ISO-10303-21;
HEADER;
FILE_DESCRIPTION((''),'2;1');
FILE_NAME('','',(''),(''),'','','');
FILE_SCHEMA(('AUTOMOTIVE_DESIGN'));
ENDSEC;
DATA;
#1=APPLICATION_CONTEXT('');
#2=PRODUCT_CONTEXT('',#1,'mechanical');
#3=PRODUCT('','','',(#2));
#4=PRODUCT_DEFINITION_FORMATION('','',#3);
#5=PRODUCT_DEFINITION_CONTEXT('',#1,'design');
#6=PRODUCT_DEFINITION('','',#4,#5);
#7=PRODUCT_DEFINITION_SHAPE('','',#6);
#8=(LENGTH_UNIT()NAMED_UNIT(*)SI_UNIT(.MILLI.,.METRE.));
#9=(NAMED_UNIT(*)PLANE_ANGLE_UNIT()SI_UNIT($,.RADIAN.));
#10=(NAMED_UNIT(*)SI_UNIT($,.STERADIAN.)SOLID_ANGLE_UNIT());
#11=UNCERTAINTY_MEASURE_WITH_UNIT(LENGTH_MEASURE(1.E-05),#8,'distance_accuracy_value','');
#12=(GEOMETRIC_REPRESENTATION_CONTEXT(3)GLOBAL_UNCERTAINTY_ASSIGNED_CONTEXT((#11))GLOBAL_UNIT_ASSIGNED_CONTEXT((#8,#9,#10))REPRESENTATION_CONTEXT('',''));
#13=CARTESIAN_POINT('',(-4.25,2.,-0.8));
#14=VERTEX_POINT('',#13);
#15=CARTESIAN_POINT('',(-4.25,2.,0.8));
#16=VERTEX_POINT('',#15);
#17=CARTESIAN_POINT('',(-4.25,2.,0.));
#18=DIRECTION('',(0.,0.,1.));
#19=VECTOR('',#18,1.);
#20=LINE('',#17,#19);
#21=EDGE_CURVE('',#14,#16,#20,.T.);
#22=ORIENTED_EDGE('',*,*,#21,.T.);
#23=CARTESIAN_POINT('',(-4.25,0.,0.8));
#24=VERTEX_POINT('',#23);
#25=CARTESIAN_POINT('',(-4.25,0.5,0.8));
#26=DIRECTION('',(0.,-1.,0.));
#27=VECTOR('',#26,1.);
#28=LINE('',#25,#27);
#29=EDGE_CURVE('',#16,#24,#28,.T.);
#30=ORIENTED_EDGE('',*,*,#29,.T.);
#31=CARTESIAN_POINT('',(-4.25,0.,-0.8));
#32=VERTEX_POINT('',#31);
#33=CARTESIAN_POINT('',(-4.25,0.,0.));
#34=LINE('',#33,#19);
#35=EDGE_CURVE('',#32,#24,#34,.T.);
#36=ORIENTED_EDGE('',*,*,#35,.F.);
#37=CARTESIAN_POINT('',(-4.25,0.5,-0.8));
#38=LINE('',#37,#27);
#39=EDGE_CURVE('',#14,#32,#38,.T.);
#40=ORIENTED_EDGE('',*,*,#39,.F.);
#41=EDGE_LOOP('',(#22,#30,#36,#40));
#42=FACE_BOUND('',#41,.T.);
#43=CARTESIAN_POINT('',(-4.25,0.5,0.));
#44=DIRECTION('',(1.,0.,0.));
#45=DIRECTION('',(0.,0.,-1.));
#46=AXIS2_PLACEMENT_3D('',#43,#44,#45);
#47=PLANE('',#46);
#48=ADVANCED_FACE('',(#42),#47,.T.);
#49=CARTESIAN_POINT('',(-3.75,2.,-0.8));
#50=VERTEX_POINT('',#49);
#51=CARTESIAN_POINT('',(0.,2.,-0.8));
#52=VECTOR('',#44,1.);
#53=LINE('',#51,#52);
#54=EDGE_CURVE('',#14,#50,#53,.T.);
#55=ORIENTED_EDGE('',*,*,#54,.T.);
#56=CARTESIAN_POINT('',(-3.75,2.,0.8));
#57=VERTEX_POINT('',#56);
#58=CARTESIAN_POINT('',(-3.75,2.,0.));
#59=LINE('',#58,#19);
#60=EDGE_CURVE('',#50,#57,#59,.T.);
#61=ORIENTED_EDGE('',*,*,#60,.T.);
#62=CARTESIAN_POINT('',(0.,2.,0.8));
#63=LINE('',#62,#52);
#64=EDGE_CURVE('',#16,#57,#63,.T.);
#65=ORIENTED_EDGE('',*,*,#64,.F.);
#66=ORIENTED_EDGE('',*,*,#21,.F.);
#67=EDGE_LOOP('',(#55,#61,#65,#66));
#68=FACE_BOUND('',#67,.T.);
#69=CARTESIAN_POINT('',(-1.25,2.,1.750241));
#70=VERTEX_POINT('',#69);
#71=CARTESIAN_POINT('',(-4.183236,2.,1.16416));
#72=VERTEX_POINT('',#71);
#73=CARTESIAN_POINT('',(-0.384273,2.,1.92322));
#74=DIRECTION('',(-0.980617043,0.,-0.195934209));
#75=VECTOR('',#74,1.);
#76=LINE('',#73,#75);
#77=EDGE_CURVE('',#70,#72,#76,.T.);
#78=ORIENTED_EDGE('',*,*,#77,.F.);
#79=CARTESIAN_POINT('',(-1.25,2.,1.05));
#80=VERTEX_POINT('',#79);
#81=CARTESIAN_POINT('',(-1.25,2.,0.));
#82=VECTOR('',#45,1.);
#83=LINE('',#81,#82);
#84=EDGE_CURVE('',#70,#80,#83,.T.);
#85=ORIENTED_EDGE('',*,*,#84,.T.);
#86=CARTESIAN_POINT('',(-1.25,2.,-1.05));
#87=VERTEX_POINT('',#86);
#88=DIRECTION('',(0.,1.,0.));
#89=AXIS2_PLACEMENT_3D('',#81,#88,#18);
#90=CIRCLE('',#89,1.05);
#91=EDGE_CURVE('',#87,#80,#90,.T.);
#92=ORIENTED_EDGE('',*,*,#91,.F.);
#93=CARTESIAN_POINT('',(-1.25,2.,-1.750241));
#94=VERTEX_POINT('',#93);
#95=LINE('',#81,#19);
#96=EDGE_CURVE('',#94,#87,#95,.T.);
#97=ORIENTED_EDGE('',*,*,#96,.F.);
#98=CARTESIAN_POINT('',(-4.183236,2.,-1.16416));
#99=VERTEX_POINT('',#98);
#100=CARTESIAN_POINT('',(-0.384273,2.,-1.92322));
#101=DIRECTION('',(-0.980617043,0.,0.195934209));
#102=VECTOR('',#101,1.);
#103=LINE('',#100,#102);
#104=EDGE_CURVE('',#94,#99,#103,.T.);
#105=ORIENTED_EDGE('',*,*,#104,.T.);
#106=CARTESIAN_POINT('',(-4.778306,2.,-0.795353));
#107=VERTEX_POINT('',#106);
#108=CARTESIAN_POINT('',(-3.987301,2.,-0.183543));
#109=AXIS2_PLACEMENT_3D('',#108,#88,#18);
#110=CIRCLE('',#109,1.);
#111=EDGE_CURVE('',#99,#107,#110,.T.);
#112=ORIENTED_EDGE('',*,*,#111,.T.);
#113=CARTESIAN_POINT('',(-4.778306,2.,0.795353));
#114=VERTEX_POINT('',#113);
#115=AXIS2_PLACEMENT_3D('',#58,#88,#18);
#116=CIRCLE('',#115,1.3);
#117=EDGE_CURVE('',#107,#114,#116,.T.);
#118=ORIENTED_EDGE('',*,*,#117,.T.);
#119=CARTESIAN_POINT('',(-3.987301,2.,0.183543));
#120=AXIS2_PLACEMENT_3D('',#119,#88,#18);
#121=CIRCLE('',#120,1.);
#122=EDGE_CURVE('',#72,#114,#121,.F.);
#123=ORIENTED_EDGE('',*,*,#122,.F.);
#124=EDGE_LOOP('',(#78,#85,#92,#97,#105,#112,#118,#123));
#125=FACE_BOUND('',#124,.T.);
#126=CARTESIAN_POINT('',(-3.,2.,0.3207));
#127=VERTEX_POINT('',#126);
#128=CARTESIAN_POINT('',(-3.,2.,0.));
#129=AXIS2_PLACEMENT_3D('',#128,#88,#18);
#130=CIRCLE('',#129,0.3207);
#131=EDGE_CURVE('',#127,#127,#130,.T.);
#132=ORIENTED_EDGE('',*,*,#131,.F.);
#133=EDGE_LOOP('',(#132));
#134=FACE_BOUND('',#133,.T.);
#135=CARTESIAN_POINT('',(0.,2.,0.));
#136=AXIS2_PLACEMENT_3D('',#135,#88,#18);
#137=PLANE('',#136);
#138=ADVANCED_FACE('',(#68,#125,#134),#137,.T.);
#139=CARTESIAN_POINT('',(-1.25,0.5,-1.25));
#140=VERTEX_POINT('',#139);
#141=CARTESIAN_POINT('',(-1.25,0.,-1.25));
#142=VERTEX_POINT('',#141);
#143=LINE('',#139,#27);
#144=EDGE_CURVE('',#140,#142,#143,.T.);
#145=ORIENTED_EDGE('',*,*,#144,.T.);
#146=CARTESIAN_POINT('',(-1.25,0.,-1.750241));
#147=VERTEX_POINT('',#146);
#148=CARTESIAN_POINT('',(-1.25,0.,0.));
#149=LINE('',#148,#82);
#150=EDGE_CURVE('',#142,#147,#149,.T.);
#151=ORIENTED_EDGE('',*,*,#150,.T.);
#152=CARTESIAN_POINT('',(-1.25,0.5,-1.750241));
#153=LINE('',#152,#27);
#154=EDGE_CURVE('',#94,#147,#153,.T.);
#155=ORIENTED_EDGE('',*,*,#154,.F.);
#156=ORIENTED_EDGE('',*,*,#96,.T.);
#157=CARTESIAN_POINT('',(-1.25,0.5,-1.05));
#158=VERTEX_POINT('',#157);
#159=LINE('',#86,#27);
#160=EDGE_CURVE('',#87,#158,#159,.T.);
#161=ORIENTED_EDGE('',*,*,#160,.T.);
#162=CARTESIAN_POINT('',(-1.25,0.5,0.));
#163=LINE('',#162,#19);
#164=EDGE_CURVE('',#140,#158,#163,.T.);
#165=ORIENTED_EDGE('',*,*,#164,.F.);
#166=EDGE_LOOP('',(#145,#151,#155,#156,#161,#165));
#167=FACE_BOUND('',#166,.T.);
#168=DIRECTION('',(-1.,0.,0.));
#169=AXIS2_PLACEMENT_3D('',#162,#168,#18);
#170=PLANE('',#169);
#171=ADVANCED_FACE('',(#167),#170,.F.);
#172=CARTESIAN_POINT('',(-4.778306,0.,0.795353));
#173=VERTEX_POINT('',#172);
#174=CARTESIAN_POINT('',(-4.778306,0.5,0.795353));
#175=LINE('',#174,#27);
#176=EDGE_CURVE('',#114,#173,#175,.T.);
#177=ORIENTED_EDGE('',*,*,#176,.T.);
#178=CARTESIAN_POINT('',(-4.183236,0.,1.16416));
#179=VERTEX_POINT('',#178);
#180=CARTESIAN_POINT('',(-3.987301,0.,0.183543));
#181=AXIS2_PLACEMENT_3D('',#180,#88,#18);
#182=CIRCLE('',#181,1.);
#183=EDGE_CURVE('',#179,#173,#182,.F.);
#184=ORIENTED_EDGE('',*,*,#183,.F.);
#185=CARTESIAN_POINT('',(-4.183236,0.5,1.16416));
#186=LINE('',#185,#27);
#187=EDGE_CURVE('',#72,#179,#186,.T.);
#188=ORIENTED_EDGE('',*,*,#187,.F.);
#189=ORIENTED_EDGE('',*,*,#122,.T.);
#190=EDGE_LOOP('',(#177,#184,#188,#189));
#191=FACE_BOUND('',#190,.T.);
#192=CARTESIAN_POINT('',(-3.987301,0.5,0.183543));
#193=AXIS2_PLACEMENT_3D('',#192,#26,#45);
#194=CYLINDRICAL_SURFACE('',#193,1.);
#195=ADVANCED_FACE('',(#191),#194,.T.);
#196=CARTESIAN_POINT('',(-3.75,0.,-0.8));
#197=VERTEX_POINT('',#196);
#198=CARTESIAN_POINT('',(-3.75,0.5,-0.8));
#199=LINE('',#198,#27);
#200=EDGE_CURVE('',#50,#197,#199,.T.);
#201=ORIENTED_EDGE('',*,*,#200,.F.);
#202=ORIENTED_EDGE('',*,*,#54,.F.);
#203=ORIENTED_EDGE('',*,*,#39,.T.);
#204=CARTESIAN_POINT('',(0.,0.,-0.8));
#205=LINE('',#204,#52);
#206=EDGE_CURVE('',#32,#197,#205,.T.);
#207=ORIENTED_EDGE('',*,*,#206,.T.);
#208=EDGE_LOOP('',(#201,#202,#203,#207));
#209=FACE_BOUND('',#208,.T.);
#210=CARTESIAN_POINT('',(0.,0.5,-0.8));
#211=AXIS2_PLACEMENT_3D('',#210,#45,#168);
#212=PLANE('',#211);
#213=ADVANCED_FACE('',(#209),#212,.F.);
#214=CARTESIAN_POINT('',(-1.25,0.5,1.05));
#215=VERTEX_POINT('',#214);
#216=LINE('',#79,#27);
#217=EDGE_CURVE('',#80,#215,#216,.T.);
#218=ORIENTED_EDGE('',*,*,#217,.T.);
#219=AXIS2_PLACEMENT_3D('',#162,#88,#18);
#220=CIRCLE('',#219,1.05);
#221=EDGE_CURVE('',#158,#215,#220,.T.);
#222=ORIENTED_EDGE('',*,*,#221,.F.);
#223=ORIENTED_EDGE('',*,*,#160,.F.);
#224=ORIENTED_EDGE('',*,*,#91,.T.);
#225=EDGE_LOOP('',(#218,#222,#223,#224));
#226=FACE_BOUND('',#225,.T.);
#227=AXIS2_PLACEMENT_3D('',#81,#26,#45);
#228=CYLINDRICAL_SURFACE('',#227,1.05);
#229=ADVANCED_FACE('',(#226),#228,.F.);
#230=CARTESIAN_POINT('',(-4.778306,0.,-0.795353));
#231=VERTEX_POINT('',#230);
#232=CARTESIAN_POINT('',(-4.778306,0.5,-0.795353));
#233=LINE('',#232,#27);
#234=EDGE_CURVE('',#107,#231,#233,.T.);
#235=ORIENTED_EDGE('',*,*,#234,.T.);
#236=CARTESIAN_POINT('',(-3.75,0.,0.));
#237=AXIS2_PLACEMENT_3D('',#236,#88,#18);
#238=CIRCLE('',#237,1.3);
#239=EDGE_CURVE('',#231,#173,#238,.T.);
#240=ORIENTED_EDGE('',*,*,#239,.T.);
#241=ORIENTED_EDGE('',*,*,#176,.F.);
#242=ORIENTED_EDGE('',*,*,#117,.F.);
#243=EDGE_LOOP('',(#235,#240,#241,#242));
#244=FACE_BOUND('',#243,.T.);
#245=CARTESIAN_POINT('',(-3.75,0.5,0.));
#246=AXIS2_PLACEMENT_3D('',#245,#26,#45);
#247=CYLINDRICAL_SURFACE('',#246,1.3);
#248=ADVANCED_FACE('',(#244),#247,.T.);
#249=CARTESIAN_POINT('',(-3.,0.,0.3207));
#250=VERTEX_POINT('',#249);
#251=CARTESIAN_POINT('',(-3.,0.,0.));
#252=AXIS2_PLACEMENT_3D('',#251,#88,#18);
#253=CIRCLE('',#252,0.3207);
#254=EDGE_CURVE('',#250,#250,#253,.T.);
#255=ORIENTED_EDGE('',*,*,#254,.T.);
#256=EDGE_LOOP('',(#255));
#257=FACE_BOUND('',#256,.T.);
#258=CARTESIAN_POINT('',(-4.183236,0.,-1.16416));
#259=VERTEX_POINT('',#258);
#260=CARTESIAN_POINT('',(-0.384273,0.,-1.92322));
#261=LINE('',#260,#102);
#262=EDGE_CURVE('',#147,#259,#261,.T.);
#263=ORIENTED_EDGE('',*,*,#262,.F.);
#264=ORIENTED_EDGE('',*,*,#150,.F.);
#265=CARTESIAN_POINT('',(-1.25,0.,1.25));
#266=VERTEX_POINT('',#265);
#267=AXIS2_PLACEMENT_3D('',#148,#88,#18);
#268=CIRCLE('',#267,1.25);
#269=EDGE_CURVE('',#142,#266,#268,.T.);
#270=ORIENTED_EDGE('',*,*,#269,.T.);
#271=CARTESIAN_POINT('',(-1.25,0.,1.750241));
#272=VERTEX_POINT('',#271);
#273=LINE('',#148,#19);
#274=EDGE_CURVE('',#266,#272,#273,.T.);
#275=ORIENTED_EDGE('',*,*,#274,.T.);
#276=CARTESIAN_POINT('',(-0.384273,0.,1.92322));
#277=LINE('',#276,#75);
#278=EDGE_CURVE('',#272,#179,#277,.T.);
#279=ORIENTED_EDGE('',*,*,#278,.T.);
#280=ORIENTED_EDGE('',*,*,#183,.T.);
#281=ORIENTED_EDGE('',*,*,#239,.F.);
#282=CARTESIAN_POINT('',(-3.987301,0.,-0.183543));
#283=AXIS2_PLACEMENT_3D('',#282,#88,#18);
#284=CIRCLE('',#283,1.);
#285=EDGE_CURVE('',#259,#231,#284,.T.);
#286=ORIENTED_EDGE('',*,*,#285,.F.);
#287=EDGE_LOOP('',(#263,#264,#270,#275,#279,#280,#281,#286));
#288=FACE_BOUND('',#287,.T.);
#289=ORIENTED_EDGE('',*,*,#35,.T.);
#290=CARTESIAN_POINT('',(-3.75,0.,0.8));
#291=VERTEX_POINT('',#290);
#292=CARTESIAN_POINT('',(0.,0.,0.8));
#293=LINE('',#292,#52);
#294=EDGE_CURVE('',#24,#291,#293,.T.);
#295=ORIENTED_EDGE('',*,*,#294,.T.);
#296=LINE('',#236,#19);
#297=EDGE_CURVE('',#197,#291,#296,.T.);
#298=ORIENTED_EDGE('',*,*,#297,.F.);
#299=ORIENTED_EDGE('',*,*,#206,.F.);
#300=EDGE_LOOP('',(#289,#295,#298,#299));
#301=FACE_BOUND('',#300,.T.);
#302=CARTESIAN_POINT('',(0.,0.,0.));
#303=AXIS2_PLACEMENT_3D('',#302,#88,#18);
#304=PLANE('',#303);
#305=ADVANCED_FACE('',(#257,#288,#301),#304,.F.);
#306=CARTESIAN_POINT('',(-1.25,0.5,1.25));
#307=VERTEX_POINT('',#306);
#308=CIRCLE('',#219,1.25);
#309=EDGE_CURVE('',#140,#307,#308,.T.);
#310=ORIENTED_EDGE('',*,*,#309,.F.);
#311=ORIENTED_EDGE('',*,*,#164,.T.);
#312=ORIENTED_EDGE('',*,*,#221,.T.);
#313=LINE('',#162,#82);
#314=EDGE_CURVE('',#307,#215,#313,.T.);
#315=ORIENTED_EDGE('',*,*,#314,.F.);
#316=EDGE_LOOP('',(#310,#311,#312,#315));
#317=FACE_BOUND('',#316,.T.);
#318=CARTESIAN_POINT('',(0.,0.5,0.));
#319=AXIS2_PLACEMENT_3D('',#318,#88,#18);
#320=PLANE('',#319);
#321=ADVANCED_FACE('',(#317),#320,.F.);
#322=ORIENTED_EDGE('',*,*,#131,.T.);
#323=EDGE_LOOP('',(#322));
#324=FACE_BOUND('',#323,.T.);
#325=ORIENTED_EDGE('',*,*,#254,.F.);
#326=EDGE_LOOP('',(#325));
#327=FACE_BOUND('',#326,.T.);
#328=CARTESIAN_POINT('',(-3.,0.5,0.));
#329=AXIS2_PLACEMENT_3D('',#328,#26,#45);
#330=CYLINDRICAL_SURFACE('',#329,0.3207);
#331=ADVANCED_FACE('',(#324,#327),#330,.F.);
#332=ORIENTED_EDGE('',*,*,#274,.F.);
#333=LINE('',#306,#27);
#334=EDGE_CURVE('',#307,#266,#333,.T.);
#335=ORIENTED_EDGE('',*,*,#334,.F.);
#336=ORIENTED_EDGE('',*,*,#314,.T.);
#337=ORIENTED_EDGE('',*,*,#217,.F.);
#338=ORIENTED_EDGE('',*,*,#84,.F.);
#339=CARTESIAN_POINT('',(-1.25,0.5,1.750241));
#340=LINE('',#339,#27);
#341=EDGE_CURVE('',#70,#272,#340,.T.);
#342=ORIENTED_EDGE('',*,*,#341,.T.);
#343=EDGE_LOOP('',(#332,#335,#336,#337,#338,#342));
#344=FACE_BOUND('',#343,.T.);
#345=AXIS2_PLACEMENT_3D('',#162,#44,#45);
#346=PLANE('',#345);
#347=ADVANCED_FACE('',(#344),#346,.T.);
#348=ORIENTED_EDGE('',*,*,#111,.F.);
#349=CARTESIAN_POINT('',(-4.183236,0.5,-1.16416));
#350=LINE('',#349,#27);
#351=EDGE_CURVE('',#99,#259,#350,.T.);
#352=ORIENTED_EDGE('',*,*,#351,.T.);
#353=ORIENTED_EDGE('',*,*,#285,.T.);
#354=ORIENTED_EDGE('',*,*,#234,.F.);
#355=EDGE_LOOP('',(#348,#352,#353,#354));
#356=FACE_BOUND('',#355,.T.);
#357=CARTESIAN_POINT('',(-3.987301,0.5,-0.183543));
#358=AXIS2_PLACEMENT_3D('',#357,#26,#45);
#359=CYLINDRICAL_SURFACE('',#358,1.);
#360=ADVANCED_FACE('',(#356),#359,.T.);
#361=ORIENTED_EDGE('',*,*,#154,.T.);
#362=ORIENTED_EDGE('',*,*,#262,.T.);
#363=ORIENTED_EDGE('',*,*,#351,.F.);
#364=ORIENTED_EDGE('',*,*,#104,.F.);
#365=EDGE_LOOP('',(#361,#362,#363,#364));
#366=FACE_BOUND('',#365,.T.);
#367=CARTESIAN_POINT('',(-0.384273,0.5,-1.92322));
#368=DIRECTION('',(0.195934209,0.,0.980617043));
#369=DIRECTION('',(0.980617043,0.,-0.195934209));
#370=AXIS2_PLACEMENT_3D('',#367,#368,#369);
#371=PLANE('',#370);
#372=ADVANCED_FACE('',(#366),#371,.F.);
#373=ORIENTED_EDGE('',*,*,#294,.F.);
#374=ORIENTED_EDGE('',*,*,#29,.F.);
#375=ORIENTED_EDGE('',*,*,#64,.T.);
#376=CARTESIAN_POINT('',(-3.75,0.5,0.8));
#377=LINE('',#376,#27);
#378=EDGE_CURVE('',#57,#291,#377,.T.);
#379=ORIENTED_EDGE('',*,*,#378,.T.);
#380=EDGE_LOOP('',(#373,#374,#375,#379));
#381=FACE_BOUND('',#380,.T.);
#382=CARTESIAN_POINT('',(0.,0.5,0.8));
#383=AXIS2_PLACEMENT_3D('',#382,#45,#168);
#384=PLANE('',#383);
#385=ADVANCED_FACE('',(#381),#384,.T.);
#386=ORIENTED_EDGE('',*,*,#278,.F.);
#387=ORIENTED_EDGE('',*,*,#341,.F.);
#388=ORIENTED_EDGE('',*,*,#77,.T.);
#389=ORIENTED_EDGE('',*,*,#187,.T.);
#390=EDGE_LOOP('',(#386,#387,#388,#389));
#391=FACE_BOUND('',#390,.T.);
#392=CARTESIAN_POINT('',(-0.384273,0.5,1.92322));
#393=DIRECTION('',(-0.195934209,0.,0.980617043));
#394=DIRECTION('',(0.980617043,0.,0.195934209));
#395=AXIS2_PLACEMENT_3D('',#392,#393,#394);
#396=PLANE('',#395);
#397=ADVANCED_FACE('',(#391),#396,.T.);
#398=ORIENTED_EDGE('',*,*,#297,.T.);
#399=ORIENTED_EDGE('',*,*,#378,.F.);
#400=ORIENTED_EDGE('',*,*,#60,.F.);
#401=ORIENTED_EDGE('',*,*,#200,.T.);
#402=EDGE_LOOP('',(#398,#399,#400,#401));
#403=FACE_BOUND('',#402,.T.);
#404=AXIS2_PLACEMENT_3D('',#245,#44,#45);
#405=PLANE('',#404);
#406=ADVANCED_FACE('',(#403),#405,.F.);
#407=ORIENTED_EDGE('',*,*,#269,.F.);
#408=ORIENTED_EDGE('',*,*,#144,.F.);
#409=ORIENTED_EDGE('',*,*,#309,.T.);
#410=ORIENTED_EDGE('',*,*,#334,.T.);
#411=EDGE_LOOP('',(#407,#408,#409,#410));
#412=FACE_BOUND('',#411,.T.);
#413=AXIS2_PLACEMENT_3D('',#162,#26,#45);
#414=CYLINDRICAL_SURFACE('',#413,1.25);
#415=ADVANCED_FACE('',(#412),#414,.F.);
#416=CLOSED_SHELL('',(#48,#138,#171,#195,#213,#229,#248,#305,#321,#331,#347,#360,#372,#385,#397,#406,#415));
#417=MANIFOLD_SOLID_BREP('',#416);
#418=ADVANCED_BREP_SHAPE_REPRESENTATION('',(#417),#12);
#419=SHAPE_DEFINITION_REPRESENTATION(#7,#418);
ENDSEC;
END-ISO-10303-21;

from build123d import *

# Parameters (mm, degrees)
SKETCH1_W           = 0.5
SKETCH1_H           = 1.6
SKETCH1_R           = 0.3207
BOSS_EXTRUDE1_DEPTH = 0.5
BOSS_EXTRUDE2_START = 0.5
SKETCH1_20_W        = 0.5
SKETCH1_20_H        = 1.6
SKETCH1_20_R        = 0.3207
BOSS_EXTRUDE2_DEPTH = 1.5


with BuildPart() as part:
    # Sketch1 → Boss-Extrude1 (new body)
    with BuildSketch(Plane(origin=(0, 0, 0), x_dir=(1, 0, 0), z_dir=(0, 1, 0))):
        with BuildLine():
            Line((-1.25, 1.25), (-1.25, 1.750241174))
            Line((-1.25, 1.750241174), (-4.183235691, 1.164159973))
            ThreePointArc((-4.183235691, 1.164159973), (-4.514100231, 1.033532975), (-4.77830642, 0.795352694))
            ThreePointArc((-4.77830642, 0.795352694), (-5.05, 0), (-4.77830642, -0.795352694))
            ThreePointArc((-4.77830642, -0.795352694), (-4.514100231, -1.033532975), (-4.183235691, -1.164159973))
            Line((-4.183235691, -1.164159973), (-1.25, -1.750241174))
            Line((-1.25, -1.750241174), (-1.25, -1.25))
            ThreePointArc((-1.25, -1.25), (-2.5, 0), (-1.25, 1.25))
        make_face()
        with Locations((-4, 0)):
            Rectangle(SKETCH1_W, SKETCH1_H, mode=Mode.SUBTRACT)
        with Locations((-3, 0)):
            Circle(SKETCH1_R, mode=Mode.SUBTRACT)
    extrude(amount=BOSS_EXTRUDE1_DEPTH)

    # Sketch1<20> → Boss-Extrude2 (add)
    with BuildSketch(Plane(origin=(0, 0, 0), x_dir=(1, 0, 0), z_dir=(0, 1, 0)).offset(BOSS_EXTRUDE2_START)):
        with BuildLine():
            Line((-1.25, 1.750241174), (-4.183235691, 1.164159973))
            ThreePointArc((-4.183235691, 1.164159973), (-4.514100231, 1.033532975), (-4.77830642, 0.795352694))
            ThreePointArc((-4.77830642, 0.795352694), (-5.05, 0), (-4.77830642, -0.795352694))
            ThreePointArc((-4.77830642, -0.795352694), (-4.514100231, -1.033532975), (-4.183235691, -1.164159973))
            Line((-4.183235691, -1.164159973), (-1.25, -1.750241174))
            Line((-1.25, -1.750241174), (-1.25, -1.05))
            ThreePointArc((-1.25, -1.05), (-2.3, 0), (-1.25, 1.05))
            Line((-1.25, 1.05), (-1.25, 1.750241174))
        make_face()
        with Locations((-4, 0)):
            Rectangle(SKETCH1_20_W, SKETCH1_20_H, mode=Mode.SUBTRACT)
        with Locations((-3, 0)):
            Circle(SKETCH1_20_R, mode=Mode.SUBTRACT)
    extrude(amount=BOSS_EXTRUDE2_DEPTH)


solid = part.part
